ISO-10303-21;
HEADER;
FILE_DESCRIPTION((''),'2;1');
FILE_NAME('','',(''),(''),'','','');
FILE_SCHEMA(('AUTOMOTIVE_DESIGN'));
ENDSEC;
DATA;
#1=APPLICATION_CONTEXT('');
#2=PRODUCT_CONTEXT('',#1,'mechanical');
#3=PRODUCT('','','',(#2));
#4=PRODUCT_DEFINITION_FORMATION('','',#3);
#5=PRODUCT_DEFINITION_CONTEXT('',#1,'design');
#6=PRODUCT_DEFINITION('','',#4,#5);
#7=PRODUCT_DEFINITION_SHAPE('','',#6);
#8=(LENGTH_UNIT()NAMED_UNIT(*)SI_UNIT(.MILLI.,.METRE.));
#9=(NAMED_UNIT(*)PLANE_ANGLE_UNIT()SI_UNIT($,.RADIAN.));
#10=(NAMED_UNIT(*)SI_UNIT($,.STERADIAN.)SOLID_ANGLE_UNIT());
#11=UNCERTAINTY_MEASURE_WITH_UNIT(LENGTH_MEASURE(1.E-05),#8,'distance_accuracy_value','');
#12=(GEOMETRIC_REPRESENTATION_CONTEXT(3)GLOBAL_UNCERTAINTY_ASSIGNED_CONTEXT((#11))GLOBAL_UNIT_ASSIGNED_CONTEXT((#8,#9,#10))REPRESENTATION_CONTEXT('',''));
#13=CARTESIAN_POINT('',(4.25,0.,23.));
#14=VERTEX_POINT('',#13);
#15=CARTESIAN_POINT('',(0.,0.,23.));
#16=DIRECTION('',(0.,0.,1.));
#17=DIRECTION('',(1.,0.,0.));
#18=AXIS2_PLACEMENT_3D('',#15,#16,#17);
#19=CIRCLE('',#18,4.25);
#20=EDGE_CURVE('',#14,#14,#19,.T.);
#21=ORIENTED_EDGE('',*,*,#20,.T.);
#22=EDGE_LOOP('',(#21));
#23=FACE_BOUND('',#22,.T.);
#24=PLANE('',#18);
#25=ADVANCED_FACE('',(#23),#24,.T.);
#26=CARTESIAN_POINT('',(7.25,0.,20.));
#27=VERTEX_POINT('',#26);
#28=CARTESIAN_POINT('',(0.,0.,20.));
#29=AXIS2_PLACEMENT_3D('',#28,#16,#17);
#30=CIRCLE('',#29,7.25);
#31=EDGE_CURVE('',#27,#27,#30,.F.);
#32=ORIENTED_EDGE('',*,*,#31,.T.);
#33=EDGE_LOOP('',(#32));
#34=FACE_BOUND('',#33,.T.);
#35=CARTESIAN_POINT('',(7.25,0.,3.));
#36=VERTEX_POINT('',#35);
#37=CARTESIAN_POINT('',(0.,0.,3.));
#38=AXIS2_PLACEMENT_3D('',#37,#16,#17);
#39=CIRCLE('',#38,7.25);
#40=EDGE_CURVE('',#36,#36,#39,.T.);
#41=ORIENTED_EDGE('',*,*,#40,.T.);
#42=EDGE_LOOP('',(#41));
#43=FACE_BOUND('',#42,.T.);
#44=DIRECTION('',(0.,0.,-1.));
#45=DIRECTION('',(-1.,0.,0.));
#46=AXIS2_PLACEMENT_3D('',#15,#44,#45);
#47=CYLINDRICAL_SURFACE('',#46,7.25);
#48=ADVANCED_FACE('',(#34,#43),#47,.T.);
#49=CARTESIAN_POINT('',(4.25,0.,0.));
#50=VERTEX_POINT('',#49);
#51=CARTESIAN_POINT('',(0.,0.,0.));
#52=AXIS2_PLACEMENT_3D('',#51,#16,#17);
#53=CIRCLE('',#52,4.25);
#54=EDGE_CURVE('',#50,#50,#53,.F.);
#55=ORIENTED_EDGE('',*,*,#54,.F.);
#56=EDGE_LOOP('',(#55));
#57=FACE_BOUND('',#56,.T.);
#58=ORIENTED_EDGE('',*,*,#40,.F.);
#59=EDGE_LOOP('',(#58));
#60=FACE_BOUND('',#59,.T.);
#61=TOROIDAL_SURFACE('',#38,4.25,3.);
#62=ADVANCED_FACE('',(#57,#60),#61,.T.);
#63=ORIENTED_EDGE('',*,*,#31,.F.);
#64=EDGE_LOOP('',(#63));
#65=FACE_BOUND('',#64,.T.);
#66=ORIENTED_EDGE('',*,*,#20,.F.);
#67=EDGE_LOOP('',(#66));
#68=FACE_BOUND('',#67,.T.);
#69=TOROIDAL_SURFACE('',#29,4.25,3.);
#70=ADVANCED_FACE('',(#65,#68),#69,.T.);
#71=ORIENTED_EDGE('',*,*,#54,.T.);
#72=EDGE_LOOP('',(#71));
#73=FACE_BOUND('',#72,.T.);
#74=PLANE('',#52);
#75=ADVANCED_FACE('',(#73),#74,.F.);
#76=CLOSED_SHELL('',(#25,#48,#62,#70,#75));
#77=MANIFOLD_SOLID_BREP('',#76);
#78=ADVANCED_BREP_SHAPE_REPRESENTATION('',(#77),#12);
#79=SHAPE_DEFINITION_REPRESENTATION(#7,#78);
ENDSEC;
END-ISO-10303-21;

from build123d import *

# Parameters (mm, degrees)
SKETCH2_R           = 7.25
BOSS_EXTRUDE1_DEPTH = 23
FILLET1_R           = 3


with BuildPart() as part:
    # Sketch2 → Boss-Extrude1 (new body)
    with BuildSketch(Plane.XY):
        Circle(SKETCH2_R)
    extrude(amount=BOSS_EXTRUDE1_DEPTH)

    # Fillet1
    fillet1_edges = [part.edges().sort_by_distance(p)[0] for p in [
        (-7.25, 0, 0),
        (-7.25, 0, 23),
    ]]
    fillet(fillet1_edges, radius=FILLET1_R)


solid = part.part
